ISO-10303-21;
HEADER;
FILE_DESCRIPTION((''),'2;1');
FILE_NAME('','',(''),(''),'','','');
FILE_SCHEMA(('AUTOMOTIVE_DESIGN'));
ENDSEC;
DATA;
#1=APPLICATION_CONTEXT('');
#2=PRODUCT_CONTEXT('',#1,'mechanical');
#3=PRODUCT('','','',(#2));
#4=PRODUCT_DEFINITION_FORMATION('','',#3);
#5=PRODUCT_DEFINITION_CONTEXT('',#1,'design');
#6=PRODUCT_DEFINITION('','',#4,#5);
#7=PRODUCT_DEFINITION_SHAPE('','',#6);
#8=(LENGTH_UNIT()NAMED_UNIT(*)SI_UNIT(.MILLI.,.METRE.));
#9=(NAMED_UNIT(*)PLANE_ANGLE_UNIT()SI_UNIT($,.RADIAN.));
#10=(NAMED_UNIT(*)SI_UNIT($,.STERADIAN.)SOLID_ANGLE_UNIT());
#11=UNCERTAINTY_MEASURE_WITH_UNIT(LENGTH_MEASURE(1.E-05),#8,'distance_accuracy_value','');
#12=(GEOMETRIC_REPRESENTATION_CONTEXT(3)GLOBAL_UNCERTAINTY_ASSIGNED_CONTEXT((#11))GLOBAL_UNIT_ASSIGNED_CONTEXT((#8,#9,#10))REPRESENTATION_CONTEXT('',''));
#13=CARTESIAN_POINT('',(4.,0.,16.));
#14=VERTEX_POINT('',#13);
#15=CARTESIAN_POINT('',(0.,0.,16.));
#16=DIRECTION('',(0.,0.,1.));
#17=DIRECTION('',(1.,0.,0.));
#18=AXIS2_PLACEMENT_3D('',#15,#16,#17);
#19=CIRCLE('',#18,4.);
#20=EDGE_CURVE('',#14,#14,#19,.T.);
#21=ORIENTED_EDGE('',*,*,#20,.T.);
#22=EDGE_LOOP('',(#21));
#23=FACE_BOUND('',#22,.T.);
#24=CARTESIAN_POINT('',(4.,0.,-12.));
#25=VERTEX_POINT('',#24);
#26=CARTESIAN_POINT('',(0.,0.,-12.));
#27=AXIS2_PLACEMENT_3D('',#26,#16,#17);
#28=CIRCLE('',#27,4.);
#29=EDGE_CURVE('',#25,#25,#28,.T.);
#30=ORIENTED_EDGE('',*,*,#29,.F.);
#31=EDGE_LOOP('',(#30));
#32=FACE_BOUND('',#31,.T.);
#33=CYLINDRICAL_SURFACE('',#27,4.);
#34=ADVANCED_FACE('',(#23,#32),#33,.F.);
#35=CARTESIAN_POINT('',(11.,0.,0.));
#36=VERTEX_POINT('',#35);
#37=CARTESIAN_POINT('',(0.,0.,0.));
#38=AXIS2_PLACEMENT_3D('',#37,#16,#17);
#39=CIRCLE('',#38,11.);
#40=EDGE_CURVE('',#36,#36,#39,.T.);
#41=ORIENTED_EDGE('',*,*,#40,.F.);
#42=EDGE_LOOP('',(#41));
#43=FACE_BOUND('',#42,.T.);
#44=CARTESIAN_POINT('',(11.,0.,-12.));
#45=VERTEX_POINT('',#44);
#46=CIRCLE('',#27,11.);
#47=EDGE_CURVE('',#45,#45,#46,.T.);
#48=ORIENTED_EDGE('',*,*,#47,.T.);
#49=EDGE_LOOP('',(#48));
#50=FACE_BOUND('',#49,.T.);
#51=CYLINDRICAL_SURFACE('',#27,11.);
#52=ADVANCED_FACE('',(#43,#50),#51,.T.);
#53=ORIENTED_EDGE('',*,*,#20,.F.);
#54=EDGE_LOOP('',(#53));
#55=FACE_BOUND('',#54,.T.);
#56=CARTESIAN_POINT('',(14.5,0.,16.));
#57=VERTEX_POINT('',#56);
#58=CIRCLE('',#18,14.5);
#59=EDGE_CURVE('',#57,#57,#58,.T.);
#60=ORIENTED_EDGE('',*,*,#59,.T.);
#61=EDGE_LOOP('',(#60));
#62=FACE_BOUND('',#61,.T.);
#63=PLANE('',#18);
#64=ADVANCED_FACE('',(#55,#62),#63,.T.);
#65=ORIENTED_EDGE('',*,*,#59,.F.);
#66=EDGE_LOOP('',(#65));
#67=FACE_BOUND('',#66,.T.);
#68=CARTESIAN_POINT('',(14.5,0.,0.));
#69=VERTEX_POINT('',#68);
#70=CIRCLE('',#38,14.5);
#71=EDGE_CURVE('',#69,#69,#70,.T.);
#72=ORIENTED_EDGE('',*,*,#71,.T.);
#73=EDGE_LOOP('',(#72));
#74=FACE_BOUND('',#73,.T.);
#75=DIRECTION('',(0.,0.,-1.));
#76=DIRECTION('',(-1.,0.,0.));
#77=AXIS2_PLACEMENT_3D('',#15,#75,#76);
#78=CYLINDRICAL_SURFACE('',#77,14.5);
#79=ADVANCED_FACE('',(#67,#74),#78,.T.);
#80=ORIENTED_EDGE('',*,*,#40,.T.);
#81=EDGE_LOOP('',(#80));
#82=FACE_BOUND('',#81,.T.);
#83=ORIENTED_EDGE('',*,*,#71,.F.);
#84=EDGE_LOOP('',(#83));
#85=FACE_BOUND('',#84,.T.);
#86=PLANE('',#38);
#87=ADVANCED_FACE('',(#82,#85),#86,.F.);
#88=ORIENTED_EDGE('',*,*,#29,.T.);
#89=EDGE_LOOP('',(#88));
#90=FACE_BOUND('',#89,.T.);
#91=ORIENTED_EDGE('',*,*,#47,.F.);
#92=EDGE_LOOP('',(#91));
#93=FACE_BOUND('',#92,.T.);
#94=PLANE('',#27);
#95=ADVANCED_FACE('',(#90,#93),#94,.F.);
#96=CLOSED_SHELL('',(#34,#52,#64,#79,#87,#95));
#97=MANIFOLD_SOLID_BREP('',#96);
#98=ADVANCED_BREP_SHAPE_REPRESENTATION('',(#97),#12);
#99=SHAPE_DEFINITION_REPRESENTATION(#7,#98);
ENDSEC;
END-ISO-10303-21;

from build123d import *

# Parameters (mm, degrees)
SKETCH1_R               = 14.5
BOSS_EXTRUDE1_DEPTH     = 16
SKETCH2_R               = 11
BOSS_EXTRUDE2_DEPTH     = 12
CUT_EXTRUDE1_DEPTH      = 27.009613607
CUT_EXTRUDE1_DEPTH_BACK = 27.009613607
SKETCH3_R               = 4


with BuildPart() as part:
    # Sketch1 → Boss-Extrude1 (new body)
    with BuildSketch(Plane.XY):
        Circle(SKETCH1_R)
    extrude(amount=BOSS_EXTRUDE1_DEPTH)

    # Sketch2 → Boss-Extrude2 (add)
    with BuildSketch(Plane.XY):
        Circle(SKETCH2_R)
    extrude(amount=-BOSS_EXTRUDE2_DEPTH)

    # Sketch3 → Cut-Extrude1 (cut, two sides: drawn at the far end of the back side and taken through both)
    with BuildSketch(Plane.XY.offset(-CUT_EXTRUDE1_DEPTH_BACK)):
        Circle(SKETCH3_R)
    extrude(amount=CUT_EXTRUDE1_DEPTH + CUT_EXTRUDE1_DEPTH_BACK, mode=Mode.SUBTRACT)


solid = part.part
